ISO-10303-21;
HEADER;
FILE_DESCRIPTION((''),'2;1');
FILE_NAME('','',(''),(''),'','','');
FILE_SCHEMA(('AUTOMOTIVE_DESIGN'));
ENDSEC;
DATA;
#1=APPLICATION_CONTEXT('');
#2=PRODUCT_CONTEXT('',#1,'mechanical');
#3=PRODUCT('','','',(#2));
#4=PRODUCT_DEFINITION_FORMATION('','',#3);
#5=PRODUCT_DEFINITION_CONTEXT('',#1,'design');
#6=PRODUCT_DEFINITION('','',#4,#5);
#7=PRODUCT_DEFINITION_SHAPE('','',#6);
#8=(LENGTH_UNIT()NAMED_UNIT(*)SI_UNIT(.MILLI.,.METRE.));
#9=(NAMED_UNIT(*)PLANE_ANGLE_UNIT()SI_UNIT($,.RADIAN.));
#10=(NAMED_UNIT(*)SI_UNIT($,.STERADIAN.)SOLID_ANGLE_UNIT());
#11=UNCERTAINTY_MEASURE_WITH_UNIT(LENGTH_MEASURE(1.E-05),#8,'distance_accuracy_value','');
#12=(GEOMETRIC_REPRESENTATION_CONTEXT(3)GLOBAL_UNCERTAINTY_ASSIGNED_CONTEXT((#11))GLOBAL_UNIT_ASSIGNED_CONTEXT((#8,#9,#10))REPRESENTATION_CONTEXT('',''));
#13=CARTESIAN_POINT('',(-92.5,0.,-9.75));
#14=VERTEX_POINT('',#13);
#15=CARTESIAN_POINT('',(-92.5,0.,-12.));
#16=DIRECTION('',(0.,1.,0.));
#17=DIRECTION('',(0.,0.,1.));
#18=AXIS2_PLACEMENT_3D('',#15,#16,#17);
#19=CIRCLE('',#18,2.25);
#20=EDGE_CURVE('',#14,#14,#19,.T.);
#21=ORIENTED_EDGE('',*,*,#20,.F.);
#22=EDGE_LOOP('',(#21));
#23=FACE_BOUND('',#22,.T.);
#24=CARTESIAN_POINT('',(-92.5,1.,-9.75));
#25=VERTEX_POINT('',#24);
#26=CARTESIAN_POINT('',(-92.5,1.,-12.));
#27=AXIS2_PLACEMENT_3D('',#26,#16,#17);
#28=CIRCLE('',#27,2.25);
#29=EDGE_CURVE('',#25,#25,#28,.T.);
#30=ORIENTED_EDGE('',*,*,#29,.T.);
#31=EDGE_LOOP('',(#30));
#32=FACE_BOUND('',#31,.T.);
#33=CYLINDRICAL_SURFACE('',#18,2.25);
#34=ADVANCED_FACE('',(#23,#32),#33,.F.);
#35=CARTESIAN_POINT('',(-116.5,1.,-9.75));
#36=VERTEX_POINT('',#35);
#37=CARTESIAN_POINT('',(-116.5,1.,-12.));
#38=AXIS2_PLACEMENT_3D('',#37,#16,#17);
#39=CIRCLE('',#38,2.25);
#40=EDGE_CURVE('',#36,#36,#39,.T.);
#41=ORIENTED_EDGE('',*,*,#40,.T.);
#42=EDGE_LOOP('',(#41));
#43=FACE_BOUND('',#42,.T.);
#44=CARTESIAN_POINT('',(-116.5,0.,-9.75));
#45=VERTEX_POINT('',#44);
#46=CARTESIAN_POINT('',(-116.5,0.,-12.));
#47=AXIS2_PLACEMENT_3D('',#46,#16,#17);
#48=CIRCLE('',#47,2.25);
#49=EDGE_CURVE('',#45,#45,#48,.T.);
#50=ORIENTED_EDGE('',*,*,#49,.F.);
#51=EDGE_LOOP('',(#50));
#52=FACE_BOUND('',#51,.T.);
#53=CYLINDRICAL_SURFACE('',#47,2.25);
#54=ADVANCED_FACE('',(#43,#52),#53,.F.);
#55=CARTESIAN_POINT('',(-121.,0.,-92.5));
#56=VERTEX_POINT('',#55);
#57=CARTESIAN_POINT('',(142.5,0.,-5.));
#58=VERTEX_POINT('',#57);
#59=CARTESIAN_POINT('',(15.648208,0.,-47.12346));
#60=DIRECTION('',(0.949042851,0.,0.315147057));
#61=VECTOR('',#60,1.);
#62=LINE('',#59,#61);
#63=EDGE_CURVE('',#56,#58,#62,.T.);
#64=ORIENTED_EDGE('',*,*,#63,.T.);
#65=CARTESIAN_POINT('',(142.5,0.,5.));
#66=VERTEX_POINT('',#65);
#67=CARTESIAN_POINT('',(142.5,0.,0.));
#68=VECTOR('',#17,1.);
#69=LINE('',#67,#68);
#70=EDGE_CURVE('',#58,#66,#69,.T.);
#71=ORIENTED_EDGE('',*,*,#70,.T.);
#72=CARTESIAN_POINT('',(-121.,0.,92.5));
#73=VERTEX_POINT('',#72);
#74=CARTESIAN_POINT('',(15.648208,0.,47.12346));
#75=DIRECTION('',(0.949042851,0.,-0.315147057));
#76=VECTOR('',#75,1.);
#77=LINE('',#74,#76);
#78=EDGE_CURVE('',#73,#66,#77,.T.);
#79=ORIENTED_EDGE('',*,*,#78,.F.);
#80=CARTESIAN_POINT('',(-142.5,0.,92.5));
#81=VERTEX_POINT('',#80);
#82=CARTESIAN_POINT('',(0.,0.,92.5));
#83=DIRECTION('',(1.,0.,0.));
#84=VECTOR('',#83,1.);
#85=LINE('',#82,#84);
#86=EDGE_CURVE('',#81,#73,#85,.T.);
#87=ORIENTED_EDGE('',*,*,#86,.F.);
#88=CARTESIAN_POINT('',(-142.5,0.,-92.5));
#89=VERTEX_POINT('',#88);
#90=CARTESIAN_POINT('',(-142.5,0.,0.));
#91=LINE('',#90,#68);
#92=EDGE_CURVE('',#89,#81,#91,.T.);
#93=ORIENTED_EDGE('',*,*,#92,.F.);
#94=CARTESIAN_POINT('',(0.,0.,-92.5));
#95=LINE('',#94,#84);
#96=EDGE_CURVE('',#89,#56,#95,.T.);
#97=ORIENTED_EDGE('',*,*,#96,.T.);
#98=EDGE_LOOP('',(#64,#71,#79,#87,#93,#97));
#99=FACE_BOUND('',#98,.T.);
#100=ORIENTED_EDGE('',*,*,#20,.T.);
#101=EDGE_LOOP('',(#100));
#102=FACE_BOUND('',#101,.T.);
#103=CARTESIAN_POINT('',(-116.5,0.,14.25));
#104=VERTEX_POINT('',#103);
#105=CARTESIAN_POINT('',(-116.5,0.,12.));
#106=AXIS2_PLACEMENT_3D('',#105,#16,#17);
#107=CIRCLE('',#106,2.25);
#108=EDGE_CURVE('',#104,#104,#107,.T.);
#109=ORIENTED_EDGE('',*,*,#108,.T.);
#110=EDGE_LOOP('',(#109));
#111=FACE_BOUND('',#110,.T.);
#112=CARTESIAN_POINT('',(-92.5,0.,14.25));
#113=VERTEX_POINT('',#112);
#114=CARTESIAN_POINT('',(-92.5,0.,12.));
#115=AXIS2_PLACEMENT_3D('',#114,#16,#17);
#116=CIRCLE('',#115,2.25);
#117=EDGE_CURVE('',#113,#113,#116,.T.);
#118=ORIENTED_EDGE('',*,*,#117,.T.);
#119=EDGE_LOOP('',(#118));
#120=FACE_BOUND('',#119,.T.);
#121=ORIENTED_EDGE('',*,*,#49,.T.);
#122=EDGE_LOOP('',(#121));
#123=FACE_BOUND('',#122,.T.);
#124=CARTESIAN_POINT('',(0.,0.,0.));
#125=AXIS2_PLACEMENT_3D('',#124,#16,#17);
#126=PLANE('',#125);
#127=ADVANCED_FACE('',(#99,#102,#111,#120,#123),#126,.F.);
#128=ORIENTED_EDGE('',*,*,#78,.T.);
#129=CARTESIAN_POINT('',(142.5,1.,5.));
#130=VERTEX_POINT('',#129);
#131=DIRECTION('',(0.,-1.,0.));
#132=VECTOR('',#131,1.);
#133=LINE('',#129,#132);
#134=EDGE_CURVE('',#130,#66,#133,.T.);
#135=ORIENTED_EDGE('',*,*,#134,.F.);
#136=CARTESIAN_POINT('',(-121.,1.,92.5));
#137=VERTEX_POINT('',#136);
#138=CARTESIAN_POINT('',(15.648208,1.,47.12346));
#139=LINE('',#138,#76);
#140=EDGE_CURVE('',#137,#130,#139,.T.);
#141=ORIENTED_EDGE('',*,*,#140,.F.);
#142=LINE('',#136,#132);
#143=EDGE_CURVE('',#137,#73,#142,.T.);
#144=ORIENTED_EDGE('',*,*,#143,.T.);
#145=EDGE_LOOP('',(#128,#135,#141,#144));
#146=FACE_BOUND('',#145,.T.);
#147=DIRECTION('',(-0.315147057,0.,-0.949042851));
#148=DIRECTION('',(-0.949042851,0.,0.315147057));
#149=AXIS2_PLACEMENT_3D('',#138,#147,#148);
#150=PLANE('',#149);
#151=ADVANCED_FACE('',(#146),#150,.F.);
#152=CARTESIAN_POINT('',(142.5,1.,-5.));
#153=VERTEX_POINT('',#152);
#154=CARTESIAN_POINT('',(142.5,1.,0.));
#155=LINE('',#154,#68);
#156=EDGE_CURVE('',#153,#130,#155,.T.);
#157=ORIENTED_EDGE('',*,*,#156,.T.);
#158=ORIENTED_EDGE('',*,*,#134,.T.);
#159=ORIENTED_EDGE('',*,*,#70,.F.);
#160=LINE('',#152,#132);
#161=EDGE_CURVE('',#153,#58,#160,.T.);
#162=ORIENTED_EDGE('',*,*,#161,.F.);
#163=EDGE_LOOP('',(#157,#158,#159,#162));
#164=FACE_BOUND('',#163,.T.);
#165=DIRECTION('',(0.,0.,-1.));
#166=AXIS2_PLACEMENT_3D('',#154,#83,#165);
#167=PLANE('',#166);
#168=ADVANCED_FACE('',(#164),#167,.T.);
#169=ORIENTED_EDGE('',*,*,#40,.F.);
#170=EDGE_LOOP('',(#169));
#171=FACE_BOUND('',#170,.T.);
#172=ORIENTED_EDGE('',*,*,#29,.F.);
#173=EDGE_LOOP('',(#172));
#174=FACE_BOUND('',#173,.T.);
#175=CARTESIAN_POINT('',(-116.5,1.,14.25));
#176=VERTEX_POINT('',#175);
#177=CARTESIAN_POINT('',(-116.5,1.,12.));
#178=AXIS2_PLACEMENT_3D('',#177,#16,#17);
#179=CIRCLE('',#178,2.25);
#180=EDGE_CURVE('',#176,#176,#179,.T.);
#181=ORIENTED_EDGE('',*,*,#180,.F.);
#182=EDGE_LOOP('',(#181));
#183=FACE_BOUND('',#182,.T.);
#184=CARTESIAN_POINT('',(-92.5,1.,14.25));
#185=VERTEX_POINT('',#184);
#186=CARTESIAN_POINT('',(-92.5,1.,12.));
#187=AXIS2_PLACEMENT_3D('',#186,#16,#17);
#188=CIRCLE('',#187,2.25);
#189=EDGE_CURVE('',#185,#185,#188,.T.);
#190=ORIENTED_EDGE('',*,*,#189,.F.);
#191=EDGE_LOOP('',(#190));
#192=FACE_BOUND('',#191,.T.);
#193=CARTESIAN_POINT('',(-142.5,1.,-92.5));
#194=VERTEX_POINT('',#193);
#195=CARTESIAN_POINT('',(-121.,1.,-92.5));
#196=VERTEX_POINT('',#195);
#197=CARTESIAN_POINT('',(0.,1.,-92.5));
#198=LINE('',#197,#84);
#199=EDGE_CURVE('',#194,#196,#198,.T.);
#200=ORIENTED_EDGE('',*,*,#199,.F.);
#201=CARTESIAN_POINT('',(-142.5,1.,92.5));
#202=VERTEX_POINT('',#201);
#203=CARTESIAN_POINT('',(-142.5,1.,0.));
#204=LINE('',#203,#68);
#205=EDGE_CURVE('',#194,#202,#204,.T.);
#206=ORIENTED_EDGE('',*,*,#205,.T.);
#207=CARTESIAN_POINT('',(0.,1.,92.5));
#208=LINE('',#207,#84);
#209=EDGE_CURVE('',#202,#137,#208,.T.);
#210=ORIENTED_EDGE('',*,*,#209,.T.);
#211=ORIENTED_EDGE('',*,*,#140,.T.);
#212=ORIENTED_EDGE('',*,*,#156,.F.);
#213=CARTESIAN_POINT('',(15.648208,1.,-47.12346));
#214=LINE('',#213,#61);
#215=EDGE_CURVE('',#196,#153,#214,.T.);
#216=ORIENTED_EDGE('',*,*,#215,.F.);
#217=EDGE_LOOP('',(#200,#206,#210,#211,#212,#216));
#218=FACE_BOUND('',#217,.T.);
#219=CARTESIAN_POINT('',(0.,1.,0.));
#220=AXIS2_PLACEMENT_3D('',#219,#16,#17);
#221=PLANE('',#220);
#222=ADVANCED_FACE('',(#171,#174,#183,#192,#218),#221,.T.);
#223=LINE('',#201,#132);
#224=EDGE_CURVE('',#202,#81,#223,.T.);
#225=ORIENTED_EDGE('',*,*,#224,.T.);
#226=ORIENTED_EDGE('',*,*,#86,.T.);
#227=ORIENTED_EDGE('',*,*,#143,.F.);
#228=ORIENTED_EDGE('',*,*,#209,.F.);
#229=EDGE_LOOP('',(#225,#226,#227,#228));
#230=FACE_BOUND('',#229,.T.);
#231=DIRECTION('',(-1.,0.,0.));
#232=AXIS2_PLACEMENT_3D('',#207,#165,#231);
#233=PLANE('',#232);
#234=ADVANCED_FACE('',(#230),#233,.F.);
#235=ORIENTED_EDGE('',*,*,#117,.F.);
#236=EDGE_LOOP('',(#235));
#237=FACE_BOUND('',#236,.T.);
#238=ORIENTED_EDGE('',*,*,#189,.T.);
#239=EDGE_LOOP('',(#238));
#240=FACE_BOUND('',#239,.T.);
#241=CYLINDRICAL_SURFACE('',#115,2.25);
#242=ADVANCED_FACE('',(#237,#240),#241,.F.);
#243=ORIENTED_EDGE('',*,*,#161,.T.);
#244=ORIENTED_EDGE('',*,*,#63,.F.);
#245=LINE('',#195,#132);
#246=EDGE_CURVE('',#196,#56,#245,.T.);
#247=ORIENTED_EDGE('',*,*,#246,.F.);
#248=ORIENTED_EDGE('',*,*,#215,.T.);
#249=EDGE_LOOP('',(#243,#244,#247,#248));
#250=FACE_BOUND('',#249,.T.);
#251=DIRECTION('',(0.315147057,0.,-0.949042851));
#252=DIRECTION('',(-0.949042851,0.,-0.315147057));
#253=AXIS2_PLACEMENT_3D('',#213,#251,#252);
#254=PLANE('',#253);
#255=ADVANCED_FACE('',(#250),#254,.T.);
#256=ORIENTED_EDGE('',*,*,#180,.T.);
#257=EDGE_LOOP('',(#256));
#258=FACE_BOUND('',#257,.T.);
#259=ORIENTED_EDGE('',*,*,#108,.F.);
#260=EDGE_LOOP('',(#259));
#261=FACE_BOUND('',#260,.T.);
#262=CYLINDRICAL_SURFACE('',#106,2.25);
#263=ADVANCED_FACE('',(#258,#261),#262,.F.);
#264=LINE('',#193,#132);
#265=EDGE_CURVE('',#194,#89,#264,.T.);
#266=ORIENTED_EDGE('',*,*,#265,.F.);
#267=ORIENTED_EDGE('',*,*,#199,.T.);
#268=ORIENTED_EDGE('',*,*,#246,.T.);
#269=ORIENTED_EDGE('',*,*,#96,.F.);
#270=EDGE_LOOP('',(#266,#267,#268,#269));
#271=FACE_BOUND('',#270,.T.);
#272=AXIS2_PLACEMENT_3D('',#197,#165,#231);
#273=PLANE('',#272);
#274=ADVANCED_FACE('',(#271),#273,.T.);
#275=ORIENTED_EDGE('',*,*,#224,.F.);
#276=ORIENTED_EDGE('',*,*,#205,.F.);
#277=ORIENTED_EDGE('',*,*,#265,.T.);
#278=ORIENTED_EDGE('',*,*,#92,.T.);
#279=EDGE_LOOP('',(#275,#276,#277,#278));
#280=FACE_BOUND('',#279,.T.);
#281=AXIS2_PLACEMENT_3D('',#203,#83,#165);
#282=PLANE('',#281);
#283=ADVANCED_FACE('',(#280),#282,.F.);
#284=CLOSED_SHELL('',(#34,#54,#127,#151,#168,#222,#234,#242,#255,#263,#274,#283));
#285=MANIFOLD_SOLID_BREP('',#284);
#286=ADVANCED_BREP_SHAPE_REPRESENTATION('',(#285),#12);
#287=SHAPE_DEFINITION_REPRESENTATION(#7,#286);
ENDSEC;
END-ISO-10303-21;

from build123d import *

# Parameters (mm, degrees)
BOSS_EXTRUDE1_DEPTH = 1
SKETCH3_R           = 2.25
CUT_EXTRUDE1_DEPTH  = 1


with BuildPart() as part:
    # Sketch2 → Boss-Extrude1 (new body)
    with BuildSketch(Plane(origin=(0, 0, 0), x_dir=(1, 0, 0), z_dir=(0, 1, 0))):
        Polygon((-142.5, -92.5), (-121, -92.5), (142.5, -5), (142.5, 5), (-121, 92.5), (-142.5, 92.5), align=None)
    extrude(amount=BOSS_EXTRUDE1_DEPTH)

    # Sketch3 → Cut-Extrude1 (cut)
    with BuildSketch(Plane(origin=(0, 1, 0), x_dir=(1, 0, 0), z_dir=(0, 1, 0))):
        with Locations((-116.5, 12)):
            Circle(SKETCH3_R)
        with Locations((-92.5, 12)):
            Circle(SKETCH3_R)
        with Locations((-116.5, -12)):
            Circle(SKETCH3_R)
        with Locations((-92.5, -12)):
            Circle(SKETCH3_R)
    extrude(amount=-CUT_EXTRUDE1_DEPTH, mode=Mode.SUBTRACT)


solid = part.part
